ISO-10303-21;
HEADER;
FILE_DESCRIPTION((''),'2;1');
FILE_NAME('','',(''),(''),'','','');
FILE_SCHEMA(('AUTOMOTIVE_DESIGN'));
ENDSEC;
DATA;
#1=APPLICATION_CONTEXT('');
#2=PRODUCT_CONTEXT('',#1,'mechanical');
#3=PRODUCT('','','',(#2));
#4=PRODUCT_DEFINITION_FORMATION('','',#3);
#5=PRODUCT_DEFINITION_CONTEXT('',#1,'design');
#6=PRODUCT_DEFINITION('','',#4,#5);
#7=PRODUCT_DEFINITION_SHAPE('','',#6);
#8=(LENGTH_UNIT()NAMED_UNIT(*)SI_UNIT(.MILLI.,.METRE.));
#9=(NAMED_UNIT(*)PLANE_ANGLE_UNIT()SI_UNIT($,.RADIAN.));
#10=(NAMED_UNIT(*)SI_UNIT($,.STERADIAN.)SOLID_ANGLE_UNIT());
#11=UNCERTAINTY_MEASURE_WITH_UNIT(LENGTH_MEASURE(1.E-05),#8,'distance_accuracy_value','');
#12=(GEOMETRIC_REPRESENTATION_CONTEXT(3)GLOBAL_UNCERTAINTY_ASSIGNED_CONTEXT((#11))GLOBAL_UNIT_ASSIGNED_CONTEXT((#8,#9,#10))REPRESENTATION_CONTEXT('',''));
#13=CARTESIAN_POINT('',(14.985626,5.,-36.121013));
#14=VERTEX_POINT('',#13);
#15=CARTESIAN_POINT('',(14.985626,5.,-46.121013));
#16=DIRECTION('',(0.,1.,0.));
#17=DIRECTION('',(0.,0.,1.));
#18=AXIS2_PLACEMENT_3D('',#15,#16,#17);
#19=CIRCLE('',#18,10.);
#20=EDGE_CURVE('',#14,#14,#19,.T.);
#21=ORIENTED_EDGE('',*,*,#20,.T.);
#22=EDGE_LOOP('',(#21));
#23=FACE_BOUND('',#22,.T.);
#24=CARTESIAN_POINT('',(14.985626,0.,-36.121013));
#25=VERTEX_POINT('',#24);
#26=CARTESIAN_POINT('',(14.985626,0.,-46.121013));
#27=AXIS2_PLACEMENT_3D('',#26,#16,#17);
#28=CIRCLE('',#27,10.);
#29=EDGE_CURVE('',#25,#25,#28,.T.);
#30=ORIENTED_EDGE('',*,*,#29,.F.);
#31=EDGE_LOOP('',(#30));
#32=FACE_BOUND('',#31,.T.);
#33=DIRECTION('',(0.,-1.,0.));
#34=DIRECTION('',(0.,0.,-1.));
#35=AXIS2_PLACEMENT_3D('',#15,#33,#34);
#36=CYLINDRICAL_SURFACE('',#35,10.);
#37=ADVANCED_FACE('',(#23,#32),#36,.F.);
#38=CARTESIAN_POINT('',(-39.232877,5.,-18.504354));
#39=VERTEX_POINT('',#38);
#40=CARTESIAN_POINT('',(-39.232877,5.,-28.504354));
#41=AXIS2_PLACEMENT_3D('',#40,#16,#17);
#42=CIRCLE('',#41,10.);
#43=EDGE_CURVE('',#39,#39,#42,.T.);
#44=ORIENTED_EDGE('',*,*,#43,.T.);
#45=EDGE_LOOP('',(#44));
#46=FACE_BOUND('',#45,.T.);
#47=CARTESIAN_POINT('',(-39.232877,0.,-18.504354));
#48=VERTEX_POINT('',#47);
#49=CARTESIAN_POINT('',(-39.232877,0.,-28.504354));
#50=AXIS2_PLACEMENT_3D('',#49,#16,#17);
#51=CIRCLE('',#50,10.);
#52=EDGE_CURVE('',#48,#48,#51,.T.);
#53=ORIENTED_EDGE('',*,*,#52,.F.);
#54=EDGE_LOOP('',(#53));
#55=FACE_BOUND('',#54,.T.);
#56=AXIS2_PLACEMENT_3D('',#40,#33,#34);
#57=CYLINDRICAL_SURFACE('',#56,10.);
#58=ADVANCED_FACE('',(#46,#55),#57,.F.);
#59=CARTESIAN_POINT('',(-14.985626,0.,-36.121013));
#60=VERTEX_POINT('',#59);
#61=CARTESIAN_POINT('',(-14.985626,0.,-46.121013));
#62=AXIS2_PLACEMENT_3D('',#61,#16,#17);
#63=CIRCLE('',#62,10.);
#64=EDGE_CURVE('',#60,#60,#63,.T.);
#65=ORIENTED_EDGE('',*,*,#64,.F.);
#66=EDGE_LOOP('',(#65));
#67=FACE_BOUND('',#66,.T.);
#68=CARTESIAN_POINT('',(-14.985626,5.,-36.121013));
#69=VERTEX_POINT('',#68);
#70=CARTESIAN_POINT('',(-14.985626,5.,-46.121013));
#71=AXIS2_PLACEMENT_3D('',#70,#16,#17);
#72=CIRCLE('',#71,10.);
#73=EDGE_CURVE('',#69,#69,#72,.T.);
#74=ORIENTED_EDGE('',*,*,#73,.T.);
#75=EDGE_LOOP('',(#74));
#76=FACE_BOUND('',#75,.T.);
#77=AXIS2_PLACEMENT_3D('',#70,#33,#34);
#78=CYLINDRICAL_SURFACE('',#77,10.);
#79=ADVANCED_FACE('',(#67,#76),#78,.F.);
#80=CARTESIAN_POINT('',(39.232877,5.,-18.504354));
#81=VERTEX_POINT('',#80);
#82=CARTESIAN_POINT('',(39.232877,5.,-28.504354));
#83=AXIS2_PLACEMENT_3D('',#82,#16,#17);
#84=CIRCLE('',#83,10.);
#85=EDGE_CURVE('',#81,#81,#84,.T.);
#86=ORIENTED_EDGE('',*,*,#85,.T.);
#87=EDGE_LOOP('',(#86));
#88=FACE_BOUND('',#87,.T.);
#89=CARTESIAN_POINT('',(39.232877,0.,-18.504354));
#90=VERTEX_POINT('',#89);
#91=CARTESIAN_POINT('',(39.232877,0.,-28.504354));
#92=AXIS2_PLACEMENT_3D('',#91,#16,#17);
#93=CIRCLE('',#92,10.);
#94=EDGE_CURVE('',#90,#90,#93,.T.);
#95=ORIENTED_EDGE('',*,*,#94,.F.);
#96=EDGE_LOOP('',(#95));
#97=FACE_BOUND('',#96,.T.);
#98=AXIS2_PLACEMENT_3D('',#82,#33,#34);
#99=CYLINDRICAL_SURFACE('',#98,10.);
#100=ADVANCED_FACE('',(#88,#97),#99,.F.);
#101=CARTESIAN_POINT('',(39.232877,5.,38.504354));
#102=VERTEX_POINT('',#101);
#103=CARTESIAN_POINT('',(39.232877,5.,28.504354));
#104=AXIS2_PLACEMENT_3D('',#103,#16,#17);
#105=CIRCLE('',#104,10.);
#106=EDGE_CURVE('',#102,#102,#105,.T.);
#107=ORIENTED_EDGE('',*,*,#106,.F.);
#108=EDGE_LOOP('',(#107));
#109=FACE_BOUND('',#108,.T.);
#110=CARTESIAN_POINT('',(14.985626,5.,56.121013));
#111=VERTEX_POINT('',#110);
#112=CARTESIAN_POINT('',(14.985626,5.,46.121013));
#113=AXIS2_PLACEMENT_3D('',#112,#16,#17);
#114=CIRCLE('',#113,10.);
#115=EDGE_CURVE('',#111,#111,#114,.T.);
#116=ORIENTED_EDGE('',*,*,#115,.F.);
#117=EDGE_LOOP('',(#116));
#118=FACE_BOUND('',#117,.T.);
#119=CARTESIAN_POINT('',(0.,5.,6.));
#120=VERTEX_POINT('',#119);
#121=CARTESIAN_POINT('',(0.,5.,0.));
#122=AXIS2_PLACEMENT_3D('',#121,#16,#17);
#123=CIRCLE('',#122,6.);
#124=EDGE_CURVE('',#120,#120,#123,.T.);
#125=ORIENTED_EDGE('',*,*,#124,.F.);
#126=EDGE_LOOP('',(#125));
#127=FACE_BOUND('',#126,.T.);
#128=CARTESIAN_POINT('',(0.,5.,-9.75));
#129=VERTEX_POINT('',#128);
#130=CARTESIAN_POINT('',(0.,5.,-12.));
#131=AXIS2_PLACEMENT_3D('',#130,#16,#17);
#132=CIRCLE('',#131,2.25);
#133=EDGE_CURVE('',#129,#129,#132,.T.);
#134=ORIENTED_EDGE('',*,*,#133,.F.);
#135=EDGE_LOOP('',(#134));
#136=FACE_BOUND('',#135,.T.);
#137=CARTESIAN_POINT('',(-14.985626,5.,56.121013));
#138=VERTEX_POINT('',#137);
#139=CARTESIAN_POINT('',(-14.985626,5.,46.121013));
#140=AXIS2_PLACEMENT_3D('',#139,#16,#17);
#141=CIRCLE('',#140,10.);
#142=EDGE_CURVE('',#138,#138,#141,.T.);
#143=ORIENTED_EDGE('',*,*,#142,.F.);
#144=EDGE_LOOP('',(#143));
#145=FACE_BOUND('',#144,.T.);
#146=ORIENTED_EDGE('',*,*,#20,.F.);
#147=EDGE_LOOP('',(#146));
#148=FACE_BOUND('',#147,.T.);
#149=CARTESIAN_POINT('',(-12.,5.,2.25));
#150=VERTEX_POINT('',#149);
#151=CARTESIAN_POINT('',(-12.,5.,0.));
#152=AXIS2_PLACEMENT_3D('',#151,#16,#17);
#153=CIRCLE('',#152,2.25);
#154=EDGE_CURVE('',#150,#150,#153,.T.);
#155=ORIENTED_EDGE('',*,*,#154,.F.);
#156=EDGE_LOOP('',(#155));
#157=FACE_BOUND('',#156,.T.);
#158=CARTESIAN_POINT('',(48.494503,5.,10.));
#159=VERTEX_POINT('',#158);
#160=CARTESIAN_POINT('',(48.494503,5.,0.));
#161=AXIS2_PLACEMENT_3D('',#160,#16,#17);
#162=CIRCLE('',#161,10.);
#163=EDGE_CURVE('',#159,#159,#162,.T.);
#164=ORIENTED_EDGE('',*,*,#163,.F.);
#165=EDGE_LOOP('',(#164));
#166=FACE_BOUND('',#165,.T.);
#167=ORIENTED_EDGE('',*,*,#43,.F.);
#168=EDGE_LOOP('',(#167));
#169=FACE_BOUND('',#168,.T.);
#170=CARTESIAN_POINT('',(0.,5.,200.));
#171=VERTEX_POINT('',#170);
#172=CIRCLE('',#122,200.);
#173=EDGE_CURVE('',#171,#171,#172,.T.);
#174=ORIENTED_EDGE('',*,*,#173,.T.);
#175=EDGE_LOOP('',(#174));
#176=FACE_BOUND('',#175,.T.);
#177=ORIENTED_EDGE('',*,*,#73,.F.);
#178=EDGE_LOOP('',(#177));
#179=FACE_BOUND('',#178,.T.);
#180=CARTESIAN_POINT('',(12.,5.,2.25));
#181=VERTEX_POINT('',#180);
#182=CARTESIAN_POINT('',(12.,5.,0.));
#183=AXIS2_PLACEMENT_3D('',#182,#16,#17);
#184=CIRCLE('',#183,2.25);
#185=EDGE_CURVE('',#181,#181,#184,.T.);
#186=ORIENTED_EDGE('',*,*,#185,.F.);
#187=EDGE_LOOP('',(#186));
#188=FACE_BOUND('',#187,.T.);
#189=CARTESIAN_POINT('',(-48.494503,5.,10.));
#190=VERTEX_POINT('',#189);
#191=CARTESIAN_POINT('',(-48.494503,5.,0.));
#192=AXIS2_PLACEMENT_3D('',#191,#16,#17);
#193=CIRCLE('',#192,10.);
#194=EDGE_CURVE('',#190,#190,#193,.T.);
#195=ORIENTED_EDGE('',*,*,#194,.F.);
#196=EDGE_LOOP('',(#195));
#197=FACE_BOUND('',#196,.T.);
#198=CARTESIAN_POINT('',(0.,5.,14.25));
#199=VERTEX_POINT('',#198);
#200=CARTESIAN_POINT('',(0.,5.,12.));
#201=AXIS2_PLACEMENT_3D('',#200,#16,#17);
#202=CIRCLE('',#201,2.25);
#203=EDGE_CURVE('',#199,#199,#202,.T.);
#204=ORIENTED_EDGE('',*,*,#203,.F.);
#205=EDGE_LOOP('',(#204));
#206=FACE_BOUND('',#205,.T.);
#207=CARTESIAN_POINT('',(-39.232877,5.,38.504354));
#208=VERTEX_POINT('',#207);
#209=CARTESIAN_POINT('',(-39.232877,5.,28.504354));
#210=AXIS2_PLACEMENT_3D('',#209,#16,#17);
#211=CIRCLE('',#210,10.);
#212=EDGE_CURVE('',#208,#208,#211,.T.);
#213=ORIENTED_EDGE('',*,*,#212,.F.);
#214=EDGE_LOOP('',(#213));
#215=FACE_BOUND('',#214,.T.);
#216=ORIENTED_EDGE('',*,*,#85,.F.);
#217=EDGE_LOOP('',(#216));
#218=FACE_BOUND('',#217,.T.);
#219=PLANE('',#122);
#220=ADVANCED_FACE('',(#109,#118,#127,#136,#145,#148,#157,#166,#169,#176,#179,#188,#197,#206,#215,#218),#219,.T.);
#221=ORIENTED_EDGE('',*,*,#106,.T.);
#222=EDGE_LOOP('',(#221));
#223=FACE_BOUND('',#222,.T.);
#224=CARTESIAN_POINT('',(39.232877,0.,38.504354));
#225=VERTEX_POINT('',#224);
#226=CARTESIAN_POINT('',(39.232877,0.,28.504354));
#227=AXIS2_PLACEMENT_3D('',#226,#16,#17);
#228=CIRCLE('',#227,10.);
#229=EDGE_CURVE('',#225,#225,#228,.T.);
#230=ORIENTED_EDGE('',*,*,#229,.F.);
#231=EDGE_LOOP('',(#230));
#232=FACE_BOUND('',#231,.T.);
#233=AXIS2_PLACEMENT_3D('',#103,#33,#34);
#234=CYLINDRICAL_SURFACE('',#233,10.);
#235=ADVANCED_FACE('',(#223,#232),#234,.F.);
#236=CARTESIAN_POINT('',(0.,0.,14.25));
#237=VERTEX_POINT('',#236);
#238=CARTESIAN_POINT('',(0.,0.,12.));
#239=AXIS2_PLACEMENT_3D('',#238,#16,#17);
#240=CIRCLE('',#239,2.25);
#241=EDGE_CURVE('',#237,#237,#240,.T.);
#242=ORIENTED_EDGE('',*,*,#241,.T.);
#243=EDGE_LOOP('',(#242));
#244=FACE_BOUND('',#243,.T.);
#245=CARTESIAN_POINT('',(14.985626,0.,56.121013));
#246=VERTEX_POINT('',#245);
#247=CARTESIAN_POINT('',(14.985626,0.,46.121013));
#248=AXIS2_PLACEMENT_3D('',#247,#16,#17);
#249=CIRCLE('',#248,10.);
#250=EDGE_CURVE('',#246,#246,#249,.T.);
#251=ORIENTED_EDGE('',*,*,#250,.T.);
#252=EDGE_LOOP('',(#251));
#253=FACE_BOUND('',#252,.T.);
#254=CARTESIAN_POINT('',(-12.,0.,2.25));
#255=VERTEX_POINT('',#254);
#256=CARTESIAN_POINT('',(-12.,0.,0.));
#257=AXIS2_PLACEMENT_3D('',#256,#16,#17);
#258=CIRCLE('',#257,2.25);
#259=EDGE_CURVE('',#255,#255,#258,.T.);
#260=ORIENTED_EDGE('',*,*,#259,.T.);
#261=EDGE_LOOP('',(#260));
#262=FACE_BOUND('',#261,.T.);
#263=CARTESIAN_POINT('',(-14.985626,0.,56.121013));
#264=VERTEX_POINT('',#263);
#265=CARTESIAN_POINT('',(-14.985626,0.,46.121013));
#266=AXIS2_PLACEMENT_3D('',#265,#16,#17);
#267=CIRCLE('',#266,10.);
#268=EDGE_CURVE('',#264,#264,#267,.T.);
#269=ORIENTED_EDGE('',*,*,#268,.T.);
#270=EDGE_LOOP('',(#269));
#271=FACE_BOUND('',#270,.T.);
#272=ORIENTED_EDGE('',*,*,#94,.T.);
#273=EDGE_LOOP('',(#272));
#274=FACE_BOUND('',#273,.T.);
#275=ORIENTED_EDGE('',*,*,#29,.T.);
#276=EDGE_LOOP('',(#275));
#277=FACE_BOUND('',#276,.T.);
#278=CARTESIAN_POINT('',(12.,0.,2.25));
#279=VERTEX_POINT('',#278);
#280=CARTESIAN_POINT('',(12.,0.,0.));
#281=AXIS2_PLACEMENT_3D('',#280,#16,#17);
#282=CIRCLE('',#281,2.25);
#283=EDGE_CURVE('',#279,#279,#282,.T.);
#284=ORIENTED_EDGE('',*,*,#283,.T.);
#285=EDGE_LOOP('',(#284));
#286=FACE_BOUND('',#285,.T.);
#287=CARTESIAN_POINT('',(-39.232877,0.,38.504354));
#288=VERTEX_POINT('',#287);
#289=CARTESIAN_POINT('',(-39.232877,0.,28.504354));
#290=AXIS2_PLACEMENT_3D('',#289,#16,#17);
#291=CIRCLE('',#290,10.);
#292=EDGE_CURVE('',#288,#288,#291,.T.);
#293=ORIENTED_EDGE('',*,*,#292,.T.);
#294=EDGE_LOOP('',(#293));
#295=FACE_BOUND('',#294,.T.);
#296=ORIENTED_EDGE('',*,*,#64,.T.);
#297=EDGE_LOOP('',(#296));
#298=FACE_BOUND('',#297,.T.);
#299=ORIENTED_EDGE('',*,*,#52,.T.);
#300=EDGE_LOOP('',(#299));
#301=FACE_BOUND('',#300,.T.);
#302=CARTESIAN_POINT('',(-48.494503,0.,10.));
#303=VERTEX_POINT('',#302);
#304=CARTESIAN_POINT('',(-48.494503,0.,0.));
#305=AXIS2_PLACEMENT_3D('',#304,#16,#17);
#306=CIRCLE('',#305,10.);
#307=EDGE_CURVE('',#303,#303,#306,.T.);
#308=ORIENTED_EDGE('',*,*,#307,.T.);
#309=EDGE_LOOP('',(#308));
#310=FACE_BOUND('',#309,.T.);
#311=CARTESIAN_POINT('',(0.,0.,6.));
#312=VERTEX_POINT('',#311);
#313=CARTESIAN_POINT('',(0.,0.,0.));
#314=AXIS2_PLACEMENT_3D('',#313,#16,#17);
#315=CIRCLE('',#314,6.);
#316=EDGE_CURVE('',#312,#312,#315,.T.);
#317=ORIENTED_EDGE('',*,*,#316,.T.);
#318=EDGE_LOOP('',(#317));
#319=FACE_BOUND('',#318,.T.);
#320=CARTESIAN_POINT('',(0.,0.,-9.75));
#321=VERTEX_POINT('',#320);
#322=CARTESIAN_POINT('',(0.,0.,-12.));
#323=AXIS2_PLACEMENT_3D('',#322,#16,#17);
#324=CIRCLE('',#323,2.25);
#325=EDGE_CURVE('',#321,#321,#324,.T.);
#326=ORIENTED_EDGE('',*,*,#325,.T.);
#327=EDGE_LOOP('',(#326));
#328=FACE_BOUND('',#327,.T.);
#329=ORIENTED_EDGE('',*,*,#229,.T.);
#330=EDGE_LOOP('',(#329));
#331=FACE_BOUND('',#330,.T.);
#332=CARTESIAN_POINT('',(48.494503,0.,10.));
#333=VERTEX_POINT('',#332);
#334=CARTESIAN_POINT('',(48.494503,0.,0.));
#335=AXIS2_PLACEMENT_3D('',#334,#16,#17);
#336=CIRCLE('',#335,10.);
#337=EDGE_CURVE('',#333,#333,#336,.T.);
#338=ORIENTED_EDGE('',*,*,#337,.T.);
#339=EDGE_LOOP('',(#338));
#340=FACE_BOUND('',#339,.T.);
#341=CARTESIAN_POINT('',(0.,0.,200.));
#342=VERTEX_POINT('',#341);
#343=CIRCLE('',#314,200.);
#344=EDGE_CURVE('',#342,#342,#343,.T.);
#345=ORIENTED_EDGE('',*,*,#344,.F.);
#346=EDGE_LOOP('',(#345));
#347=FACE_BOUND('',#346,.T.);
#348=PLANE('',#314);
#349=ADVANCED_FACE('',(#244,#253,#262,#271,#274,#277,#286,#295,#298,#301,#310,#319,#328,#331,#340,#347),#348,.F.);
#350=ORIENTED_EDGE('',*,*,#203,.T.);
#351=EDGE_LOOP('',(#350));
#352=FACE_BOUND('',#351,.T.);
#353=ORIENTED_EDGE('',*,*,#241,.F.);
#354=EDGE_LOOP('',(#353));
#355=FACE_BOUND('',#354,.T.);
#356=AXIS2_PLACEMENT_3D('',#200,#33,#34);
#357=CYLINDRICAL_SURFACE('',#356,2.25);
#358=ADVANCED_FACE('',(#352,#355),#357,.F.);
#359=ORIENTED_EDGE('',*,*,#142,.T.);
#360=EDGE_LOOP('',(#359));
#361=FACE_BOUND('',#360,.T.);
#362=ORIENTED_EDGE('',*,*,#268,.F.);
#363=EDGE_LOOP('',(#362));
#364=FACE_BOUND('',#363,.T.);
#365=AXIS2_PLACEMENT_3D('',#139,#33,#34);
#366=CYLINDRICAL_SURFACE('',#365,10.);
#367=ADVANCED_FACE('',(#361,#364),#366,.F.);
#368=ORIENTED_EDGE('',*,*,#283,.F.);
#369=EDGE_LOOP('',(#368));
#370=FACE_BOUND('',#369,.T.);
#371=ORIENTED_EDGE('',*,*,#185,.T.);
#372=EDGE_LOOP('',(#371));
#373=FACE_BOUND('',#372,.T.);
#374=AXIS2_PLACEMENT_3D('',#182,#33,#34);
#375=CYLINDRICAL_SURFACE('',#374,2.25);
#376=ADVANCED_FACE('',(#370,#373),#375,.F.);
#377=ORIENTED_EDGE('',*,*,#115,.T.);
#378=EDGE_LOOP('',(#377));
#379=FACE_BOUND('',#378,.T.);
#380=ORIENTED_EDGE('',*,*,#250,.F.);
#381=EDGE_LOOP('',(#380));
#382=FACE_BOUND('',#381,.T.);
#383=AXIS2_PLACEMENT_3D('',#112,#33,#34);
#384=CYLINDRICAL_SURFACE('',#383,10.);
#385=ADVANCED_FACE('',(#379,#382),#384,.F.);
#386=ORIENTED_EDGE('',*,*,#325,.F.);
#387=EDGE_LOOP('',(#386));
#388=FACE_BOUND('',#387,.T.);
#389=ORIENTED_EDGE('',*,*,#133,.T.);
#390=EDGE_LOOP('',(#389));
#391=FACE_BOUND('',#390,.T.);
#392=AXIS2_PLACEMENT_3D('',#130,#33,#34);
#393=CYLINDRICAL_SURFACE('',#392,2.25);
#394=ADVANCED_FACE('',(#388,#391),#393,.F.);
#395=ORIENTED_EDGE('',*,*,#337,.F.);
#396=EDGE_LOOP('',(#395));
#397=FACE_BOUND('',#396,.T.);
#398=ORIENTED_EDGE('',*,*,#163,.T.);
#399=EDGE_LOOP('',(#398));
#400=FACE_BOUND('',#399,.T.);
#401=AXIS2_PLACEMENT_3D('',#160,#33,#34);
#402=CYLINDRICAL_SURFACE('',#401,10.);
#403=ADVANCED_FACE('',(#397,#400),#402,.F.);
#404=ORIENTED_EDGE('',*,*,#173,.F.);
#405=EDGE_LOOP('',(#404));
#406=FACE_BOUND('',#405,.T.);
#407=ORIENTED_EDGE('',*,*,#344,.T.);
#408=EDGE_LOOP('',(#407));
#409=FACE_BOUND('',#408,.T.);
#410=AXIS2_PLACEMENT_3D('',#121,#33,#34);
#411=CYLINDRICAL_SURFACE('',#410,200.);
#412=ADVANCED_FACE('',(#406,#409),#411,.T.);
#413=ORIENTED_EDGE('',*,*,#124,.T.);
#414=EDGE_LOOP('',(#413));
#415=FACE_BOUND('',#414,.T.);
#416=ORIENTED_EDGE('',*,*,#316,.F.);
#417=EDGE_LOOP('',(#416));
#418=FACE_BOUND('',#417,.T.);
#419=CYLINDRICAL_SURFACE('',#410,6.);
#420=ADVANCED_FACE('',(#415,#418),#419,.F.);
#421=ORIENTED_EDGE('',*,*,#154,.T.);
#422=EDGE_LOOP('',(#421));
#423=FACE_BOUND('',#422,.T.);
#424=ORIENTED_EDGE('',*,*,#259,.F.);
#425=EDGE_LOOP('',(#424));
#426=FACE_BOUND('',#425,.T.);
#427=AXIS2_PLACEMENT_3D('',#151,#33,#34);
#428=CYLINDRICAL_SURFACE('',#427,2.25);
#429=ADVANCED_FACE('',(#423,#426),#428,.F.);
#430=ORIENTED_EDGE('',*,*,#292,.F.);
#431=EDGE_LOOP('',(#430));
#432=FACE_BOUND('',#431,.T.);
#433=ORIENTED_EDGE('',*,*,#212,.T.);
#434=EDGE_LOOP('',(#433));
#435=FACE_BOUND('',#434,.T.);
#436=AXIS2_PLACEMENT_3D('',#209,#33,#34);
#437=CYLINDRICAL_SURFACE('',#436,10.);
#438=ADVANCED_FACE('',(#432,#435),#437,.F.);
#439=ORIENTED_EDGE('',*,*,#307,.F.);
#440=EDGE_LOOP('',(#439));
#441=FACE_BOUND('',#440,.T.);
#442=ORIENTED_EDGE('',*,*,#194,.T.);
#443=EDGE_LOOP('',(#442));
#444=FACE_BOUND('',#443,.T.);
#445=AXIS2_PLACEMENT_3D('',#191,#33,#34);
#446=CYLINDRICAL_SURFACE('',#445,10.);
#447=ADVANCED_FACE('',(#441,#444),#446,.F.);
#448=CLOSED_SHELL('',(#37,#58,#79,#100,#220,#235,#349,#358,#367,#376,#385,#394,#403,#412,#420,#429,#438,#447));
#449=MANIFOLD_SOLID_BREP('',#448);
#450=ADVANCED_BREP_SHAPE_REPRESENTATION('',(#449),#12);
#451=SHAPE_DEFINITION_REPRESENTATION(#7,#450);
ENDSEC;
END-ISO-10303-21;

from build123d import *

# Parameters (mm, degrees)
ESQUISSE1_R        = 200
ESQUISSE1_R_2      = 10
ESQUISSE1_R_3      = 2.25
ESQUISSE1_R_4      = 6
BOSS_EXTRU_1_DEPTH = 5


with BuildPart() as part:
    # Esquisse1 → Boss.-Extru.1 (new body)
    with BuildSketch(Plane(origin=(0, 0, 0), x_dir=(1, 0, 0), z_dir=(0, 1, 0))):
        with Locations(Location((0, 0, 0), (0, 0, 270))):
            Circle(ESQUISSE1_R)
        with Locations(Location((-14.985625535, 46.121013002, 0), (0, 0, 270))):
            Circle(ESQUISSE1_R_2, mode=Mode.SUBTRACT)
        with Locations(Location((14.985625535, 46.121013002, 0), (0, 0, 270))):
            Circle(ESQUISSE1_R_2, mode=Mode.SUBTRACT)
        with Locations(Location((39.232876993, 28.504353631, 0), (0, 0, 270))):
            Circle(ESQUISSE1_R_2, mode=Mode.SUBTRACT)
        with Locations(Location((48.494502916, 0, 0), (0, 0, 270))):
            Circle(ESQUISSE1_R_2, mode=Mode.SUBTRACT)
        with Locations(Location((39.232876993, -28.504353631, 0), (0, 0, 270))):
            Circle(ESQUISSE1_R_2, mode=Mode.SUBTRACT)
        with Locations(Location((14.985625535, -46.121013002, 0), (0, 0, 270))):
            Circle(ESQUISSE1_R_2, mode=Mode.SUBTRACT)
        with Locations(Location((-14.985625535, -46.121013002, 0), (0, 0, 270))):
            Circle(ESQUISSE1_R_2, mode=Mode.SUBTRACT)
        with Locations(Location((-39.232876993, -28.504353631, 0), (0, 0, 270))):
            Circle(ESQUISSE1_R_2, mode=Mode.SUBTRACT)
        with Locations(Location((-48.494502916, 0, 0), (0, 0, 270))):
            Circle(ESQUISSE1_R_2, mode=Mode.SUBTRACT)
        with Locations(Location((-39.232876993, 28.504353631, 0), (0, 0, 270))):
            Circle(ESQUISSE1_R_2, mode=Mode.SUBTRACT)
        with Locations(Location((0, 12, 0), (0, 0, 270))):
            Circle(ESQUISSE1_R_3, mode=Mode.SUBTRACT)
        with Locations(Location((0, 0, 0), (0, 0, 270))):
            Circle(ESQUISSE1_R_4, mode=Mode.SUBTRACT)
        with Locations(Location((12, 0, 0), (0, 0, 270))):
            Circle(ESQUISSE1_R_3, mode=Mode.SUBTRACT)
        with Locations(Location((0, -12, 0), (0, 0, 270))):
            Circle(ESQUISSE1_R_3, mode=Mode.SUBTRACT)
        with Locations(Location((-12, 0, 0), (0, 0, 270))):
            Circle(ESQUISSE1_R_3, mode=Mode.SUBTRACT)
    extrude(amount=BOSS_EXTRU_1_DEPTH)


solid = part.part
